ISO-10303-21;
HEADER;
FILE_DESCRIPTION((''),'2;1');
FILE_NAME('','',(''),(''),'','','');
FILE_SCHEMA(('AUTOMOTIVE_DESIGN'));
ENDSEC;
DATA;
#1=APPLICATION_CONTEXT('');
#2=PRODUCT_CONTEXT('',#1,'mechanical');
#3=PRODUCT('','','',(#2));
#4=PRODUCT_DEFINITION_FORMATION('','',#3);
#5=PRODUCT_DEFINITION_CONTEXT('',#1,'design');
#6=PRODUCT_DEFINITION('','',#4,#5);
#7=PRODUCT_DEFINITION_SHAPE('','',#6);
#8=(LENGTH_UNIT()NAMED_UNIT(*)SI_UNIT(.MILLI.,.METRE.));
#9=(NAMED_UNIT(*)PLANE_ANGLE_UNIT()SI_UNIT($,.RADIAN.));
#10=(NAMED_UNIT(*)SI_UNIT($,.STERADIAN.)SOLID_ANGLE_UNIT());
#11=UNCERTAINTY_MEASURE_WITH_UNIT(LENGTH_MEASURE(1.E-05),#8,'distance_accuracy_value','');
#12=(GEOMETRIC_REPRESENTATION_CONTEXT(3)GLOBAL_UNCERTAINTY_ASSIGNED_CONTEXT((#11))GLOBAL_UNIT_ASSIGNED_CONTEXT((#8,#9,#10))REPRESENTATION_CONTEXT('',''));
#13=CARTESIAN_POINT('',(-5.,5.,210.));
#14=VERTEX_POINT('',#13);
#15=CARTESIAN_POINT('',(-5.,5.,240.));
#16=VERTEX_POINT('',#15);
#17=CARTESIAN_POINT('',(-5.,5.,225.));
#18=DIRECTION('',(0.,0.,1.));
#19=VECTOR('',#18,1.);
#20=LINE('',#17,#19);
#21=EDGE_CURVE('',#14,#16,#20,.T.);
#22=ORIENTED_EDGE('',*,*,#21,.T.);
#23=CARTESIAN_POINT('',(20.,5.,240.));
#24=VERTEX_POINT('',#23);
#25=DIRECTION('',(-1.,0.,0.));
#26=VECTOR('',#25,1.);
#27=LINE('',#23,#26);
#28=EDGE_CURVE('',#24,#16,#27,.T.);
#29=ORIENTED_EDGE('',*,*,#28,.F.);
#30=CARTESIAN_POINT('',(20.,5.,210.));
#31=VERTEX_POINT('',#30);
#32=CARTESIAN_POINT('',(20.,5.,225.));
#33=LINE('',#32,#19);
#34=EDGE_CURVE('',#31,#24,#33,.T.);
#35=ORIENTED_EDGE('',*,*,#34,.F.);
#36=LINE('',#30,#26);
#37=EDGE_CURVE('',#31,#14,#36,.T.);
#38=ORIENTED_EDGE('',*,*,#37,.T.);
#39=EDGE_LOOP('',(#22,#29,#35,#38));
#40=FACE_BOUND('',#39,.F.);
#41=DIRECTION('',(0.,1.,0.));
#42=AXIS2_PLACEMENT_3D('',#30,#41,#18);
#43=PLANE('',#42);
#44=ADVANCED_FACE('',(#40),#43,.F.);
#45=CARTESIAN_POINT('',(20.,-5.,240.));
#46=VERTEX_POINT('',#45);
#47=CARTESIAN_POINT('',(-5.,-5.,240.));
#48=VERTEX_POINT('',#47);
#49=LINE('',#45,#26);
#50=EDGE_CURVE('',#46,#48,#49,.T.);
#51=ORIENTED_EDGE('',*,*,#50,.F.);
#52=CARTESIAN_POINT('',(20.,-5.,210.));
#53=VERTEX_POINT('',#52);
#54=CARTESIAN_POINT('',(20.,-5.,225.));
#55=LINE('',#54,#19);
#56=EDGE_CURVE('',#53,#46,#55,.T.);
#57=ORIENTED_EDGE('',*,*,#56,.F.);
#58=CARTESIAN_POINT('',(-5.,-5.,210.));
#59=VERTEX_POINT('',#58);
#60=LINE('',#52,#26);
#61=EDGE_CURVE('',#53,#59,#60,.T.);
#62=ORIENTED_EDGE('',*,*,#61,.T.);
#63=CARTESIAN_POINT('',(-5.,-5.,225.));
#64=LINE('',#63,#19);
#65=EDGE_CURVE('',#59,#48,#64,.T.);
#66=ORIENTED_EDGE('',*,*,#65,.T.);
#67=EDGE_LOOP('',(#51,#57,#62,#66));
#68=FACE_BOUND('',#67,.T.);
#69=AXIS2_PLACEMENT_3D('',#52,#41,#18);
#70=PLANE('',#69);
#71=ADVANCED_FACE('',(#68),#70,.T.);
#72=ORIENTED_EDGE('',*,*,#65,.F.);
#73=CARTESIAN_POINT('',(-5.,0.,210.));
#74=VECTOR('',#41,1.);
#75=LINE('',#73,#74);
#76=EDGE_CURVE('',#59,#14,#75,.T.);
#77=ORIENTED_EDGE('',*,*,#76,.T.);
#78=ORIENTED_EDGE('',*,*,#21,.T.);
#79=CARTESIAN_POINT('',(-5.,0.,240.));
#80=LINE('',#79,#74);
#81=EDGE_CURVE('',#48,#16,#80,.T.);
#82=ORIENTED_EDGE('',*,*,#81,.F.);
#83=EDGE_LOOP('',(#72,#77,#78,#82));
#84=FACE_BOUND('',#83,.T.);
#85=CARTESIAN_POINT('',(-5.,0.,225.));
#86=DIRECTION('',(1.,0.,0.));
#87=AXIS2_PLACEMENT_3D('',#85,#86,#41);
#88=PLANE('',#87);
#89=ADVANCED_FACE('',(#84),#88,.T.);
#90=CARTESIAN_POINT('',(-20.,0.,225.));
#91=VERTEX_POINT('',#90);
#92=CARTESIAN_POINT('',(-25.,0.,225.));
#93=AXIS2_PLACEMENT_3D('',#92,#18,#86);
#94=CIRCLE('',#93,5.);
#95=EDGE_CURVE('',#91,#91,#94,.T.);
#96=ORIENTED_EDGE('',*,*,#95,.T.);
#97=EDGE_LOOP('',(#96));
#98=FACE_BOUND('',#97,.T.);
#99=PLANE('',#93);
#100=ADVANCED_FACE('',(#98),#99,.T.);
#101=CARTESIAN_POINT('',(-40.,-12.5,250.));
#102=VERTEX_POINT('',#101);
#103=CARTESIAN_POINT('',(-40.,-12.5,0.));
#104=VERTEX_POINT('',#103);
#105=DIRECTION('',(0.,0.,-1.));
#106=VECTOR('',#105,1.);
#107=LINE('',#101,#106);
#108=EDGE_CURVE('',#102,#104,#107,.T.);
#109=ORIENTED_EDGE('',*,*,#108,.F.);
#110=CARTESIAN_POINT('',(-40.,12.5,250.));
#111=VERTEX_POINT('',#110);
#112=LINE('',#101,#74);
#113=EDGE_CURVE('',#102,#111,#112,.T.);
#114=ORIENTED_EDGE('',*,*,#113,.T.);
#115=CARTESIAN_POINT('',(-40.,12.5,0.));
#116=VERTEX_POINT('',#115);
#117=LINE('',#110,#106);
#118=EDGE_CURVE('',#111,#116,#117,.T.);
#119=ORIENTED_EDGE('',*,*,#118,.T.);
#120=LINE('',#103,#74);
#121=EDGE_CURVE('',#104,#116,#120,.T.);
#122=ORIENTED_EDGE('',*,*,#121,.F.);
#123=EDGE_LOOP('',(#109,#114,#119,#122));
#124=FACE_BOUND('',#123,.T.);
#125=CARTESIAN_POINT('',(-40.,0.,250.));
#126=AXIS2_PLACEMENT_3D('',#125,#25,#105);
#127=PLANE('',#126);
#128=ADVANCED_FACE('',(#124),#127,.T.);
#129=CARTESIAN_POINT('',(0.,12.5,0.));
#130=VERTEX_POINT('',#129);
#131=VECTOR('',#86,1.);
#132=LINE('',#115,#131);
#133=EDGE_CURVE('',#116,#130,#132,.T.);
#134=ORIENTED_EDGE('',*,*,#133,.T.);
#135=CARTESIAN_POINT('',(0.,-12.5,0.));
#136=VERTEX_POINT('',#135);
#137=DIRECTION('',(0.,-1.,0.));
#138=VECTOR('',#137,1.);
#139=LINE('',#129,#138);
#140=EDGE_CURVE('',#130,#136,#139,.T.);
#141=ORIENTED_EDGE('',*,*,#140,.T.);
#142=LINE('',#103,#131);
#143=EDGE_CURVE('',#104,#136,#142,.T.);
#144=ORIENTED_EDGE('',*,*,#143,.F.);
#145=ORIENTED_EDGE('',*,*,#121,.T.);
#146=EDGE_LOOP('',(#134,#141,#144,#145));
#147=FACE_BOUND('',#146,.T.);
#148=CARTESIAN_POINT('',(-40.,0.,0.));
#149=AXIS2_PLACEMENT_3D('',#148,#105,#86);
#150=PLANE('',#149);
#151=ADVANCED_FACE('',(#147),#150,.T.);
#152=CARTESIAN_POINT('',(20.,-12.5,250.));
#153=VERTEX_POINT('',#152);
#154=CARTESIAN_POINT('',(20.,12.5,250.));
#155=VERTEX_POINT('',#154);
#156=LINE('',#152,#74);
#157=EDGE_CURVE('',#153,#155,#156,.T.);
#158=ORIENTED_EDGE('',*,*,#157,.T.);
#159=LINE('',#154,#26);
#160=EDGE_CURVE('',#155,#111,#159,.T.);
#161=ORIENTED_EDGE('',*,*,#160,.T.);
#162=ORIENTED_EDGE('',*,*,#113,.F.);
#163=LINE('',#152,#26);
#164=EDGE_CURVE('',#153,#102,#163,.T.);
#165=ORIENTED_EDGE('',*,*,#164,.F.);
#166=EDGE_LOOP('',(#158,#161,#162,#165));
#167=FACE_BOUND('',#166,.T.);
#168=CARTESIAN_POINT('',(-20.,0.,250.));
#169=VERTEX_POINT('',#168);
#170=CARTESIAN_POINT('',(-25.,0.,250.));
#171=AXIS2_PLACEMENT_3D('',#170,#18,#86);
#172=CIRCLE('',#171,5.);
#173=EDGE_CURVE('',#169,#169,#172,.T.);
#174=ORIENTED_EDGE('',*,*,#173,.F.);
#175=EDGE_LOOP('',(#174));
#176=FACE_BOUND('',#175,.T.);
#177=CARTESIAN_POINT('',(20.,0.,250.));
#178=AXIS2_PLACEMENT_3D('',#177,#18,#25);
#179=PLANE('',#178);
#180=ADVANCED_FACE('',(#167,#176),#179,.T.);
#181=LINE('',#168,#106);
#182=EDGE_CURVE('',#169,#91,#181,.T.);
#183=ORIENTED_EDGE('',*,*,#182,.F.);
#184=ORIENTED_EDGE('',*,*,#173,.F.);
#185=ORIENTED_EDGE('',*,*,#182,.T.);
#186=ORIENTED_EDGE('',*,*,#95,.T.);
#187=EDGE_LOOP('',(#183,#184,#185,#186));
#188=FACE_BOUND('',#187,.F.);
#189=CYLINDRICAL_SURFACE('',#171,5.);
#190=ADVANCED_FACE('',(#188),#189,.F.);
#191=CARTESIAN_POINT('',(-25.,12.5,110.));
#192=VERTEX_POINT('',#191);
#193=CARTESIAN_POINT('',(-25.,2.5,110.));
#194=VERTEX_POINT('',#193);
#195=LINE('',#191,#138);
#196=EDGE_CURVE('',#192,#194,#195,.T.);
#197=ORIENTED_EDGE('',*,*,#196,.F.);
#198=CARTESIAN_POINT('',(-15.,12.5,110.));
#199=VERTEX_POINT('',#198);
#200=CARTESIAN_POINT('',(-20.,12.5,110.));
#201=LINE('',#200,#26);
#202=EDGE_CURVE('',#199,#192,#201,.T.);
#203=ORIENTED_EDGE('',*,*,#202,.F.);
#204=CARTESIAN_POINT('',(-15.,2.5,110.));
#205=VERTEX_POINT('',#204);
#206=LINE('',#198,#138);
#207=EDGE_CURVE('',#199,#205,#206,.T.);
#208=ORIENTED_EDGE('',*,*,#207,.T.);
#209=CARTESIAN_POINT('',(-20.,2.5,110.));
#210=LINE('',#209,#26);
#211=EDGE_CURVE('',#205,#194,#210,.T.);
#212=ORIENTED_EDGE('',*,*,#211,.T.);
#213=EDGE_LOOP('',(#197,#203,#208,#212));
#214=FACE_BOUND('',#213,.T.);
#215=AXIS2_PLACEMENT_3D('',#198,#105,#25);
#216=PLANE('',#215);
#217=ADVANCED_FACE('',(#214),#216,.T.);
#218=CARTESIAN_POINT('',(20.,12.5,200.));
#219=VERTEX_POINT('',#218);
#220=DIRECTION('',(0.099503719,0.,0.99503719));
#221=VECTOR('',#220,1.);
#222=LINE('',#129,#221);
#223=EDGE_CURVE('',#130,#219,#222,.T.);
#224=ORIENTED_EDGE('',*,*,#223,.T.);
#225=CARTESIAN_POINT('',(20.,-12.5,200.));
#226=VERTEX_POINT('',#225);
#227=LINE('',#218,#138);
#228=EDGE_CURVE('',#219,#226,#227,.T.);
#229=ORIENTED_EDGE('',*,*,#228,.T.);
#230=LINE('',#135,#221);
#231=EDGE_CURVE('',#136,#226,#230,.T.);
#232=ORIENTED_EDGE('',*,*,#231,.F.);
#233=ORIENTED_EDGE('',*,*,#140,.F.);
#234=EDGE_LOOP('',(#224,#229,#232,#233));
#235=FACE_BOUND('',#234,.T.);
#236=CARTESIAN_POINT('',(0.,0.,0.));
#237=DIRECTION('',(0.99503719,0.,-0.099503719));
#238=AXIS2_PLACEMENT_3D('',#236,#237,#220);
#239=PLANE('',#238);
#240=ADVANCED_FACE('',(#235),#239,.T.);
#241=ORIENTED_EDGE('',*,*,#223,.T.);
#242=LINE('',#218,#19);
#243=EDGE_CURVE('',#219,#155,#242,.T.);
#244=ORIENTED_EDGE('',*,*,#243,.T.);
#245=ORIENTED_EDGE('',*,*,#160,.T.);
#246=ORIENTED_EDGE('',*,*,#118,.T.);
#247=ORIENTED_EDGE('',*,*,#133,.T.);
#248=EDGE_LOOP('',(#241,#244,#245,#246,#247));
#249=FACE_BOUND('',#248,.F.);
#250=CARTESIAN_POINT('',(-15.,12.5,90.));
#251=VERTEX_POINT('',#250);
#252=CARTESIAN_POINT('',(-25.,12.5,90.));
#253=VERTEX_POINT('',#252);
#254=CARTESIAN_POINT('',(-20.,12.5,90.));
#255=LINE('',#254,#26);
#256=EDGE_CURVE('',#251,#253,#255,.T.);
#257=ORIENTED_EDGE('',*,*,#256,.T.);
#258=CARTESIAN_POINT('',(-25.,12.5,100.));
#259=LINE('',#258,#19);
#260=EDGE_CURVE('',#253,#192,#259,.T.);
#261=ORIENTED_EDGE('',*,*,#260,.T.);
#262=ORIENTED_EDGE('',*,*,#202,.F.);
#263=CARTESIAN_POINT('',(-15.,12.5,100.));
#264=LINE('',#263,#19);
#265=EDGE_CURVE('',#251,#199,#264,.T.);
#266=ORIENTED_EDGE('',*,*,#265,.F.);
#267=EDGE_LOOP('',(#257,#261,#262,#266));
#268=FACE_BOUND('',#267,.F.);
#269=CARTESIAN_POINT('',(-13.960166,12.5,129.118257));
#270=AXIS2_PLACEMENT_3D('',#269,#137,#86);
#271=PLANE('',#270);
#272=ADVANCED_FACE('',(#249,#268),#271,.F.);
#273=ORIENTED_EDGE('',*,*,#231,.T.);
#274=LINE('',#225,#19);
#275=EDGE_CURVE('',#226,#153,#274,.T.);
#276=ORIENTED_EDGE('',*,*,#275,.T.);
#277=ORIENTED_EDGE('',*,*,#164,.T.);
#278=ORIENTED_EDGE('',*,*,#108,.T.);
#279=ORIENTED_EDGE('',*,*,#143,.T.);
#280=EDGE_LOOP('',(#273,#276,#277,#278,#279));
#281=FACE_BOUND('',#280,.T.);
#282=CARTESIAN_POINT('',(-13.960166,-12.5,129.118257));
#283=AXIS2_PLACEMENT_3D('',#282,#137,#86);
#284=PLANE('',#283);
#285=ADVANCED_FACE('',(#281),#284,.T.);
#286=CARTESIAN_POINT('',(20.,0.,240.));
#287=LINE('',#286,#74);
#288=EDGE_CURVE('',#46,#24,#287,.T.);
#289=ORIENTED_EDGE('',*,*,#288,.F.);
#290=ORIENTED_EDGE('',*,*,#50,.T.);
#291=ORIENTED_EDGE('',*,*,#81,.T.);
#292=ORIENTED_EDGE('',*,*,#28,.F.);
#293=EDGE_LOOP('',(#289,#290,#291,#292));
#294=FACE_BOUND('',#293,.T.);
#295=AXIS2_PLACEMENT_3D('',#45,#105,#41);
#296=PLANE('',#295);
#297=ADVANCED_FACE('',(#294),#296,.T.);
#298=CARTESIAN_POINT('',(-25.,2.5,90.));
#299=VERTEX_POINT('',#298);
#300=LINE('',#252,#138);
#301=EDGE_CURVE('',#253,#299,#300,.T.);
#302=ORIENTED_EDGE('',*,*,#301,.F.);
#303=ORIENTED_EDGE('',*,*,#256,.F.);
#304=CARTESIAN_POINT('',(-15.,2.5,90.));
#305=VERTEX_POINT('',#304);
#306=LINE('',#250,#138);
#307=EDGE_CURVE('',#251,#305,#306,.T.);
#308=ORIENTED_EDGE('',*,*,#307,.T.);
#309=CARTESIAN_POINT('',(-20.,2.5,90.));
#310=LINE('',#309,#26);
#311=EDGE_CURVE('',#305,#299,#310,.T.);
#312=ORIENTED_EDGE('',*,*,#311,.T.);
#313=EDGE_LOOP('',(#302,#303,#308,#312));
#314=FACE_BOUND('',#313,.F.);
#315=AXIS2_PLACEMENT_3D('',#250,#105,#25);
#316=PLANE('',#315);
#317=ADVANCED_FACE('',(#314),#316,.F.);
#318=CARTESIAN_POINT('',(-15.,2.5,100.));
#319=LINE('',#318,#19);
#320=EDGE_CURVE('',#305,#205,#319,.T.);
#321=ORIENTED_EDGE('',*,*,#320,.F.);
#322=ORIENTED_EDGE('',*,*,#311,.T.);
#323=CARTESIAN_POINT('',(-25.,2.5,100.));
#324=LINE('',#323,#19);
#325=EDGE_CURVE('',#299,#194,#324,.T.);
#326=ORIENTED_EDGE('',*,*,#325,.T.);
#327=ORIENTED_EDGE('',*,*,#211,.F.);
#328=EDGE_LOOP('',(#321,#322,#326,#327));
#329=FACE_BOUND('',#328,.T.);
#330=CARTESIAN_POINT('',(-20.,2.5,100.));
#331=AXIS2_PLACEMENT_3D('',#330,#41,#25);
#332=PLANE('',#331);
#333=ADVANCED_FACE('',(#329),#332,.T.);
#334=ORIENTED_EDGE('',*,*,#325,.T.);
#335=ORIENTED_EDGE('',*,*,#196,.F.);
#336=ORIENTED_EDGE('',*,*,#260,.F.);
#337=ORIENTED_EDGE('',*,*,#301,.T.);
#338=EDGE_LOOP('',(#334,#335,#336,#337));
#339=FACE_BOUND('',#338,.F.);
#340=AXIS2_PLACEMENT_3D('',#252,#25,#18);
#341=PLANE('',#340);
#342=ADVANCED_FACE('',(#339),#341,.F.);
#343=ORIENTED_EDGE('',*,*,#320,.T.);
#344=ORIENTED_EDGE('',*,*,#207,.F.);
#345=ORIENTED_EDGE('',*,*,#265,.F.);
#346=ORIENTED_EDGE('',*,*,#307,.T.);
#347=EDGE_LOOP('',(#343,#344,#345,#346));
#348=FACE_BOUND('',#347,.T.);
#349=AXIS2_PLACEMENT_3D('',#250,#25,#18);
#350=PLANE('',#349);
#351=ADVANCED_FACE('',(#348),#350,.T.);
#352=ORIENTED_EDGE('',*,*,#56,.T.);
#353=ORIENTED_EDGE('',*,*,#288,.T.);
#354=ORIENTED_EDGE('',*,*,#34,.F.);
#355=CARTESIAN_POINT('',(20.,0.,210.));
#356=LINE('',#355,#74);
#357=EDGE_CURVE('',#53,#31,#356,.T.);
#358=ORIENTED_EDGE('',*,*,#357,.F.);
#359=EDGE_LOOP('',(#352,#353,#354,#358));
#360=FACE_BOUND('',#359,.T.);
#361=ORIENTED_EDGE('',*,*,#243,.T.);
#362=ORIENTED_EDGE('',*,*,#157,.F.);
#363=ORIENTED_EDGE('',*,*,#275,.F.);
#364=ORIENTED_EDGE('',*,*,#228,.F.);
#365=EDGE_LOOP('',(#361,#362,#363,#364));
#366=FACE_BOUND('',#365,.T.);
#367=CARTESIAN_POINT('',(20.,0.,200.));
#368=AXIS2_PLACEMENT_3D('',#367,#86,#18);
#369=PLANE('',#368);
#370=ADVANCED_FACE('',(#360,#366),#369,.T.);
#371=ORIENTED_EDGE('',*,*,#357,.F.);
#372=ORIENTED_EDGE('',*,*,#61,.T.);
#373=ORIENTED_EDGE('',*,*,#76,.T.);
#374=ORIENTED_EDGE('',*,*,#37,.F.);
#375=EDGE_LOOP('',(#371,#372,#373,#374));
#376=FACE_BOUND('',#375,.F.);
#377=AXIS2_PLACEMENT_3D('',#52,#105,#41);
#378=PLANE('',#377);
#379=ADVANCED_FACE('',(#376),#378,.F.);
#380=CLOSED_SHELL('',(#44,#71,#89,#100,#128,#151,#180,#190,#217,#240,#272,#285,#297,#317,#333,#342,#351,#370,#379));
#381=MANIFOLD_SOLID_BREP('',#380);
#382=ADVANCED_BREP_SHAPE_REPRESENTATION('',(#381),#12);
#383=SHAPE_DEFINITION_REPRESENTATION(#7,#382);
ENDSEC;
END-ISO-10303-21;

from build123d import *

# Parameters (mm, degrees)
F1_DEPTH = 12.5
F2_W     = 10
F2_H     = 30
F3_DEPTH = 25
F4_W     = 10
F4_H     = 20
F5_DEPTH = 10
F6_R     = 5
F7_DEPTH = 25


with BuildPart() as f1:
    # F0 (on Front) → F1 (new body, symmetric)
    with BuildSketch(Plane.XZ):
        Polygon((-40, 0), (0, 0), (20, 200), (20, 250), (-40, 250), align=None)
    extrude(amount=F1_DEPTH, both=True)

    # F2 (on face) → F3 (cut)
    with BuildSketch(Plane.YZ.offset(20)):
        with Locations((0, 225)):
            Rectangle(F2_W, F2_H)
    extrude(amount=-F3_DEPTH, mode=Mode.SUBTRACT)

    # F4 (on face) → F5 (cut)
    with BuildSketch(Plane(origin=(0, 12.5, 0), x_dir=(-1, 0, 0), z_dir=(0, 1, 0))):
        with Locations((20, 100)):
            Rectangle(F4_W, F4_H)
    extrude(amount=-F5_DEPTH, mode=Mode.SUBTRACT)

    # F6 (on face) → F7 (cut)
    with BuildSketch(Plane.XY.offset(250)):
        with Locations((-25, 0)):
            Circle(F6_R)
    extrude(amount=-F7_DEPTH, mode=Mode.SUBTRACT)


solid = f1.part
